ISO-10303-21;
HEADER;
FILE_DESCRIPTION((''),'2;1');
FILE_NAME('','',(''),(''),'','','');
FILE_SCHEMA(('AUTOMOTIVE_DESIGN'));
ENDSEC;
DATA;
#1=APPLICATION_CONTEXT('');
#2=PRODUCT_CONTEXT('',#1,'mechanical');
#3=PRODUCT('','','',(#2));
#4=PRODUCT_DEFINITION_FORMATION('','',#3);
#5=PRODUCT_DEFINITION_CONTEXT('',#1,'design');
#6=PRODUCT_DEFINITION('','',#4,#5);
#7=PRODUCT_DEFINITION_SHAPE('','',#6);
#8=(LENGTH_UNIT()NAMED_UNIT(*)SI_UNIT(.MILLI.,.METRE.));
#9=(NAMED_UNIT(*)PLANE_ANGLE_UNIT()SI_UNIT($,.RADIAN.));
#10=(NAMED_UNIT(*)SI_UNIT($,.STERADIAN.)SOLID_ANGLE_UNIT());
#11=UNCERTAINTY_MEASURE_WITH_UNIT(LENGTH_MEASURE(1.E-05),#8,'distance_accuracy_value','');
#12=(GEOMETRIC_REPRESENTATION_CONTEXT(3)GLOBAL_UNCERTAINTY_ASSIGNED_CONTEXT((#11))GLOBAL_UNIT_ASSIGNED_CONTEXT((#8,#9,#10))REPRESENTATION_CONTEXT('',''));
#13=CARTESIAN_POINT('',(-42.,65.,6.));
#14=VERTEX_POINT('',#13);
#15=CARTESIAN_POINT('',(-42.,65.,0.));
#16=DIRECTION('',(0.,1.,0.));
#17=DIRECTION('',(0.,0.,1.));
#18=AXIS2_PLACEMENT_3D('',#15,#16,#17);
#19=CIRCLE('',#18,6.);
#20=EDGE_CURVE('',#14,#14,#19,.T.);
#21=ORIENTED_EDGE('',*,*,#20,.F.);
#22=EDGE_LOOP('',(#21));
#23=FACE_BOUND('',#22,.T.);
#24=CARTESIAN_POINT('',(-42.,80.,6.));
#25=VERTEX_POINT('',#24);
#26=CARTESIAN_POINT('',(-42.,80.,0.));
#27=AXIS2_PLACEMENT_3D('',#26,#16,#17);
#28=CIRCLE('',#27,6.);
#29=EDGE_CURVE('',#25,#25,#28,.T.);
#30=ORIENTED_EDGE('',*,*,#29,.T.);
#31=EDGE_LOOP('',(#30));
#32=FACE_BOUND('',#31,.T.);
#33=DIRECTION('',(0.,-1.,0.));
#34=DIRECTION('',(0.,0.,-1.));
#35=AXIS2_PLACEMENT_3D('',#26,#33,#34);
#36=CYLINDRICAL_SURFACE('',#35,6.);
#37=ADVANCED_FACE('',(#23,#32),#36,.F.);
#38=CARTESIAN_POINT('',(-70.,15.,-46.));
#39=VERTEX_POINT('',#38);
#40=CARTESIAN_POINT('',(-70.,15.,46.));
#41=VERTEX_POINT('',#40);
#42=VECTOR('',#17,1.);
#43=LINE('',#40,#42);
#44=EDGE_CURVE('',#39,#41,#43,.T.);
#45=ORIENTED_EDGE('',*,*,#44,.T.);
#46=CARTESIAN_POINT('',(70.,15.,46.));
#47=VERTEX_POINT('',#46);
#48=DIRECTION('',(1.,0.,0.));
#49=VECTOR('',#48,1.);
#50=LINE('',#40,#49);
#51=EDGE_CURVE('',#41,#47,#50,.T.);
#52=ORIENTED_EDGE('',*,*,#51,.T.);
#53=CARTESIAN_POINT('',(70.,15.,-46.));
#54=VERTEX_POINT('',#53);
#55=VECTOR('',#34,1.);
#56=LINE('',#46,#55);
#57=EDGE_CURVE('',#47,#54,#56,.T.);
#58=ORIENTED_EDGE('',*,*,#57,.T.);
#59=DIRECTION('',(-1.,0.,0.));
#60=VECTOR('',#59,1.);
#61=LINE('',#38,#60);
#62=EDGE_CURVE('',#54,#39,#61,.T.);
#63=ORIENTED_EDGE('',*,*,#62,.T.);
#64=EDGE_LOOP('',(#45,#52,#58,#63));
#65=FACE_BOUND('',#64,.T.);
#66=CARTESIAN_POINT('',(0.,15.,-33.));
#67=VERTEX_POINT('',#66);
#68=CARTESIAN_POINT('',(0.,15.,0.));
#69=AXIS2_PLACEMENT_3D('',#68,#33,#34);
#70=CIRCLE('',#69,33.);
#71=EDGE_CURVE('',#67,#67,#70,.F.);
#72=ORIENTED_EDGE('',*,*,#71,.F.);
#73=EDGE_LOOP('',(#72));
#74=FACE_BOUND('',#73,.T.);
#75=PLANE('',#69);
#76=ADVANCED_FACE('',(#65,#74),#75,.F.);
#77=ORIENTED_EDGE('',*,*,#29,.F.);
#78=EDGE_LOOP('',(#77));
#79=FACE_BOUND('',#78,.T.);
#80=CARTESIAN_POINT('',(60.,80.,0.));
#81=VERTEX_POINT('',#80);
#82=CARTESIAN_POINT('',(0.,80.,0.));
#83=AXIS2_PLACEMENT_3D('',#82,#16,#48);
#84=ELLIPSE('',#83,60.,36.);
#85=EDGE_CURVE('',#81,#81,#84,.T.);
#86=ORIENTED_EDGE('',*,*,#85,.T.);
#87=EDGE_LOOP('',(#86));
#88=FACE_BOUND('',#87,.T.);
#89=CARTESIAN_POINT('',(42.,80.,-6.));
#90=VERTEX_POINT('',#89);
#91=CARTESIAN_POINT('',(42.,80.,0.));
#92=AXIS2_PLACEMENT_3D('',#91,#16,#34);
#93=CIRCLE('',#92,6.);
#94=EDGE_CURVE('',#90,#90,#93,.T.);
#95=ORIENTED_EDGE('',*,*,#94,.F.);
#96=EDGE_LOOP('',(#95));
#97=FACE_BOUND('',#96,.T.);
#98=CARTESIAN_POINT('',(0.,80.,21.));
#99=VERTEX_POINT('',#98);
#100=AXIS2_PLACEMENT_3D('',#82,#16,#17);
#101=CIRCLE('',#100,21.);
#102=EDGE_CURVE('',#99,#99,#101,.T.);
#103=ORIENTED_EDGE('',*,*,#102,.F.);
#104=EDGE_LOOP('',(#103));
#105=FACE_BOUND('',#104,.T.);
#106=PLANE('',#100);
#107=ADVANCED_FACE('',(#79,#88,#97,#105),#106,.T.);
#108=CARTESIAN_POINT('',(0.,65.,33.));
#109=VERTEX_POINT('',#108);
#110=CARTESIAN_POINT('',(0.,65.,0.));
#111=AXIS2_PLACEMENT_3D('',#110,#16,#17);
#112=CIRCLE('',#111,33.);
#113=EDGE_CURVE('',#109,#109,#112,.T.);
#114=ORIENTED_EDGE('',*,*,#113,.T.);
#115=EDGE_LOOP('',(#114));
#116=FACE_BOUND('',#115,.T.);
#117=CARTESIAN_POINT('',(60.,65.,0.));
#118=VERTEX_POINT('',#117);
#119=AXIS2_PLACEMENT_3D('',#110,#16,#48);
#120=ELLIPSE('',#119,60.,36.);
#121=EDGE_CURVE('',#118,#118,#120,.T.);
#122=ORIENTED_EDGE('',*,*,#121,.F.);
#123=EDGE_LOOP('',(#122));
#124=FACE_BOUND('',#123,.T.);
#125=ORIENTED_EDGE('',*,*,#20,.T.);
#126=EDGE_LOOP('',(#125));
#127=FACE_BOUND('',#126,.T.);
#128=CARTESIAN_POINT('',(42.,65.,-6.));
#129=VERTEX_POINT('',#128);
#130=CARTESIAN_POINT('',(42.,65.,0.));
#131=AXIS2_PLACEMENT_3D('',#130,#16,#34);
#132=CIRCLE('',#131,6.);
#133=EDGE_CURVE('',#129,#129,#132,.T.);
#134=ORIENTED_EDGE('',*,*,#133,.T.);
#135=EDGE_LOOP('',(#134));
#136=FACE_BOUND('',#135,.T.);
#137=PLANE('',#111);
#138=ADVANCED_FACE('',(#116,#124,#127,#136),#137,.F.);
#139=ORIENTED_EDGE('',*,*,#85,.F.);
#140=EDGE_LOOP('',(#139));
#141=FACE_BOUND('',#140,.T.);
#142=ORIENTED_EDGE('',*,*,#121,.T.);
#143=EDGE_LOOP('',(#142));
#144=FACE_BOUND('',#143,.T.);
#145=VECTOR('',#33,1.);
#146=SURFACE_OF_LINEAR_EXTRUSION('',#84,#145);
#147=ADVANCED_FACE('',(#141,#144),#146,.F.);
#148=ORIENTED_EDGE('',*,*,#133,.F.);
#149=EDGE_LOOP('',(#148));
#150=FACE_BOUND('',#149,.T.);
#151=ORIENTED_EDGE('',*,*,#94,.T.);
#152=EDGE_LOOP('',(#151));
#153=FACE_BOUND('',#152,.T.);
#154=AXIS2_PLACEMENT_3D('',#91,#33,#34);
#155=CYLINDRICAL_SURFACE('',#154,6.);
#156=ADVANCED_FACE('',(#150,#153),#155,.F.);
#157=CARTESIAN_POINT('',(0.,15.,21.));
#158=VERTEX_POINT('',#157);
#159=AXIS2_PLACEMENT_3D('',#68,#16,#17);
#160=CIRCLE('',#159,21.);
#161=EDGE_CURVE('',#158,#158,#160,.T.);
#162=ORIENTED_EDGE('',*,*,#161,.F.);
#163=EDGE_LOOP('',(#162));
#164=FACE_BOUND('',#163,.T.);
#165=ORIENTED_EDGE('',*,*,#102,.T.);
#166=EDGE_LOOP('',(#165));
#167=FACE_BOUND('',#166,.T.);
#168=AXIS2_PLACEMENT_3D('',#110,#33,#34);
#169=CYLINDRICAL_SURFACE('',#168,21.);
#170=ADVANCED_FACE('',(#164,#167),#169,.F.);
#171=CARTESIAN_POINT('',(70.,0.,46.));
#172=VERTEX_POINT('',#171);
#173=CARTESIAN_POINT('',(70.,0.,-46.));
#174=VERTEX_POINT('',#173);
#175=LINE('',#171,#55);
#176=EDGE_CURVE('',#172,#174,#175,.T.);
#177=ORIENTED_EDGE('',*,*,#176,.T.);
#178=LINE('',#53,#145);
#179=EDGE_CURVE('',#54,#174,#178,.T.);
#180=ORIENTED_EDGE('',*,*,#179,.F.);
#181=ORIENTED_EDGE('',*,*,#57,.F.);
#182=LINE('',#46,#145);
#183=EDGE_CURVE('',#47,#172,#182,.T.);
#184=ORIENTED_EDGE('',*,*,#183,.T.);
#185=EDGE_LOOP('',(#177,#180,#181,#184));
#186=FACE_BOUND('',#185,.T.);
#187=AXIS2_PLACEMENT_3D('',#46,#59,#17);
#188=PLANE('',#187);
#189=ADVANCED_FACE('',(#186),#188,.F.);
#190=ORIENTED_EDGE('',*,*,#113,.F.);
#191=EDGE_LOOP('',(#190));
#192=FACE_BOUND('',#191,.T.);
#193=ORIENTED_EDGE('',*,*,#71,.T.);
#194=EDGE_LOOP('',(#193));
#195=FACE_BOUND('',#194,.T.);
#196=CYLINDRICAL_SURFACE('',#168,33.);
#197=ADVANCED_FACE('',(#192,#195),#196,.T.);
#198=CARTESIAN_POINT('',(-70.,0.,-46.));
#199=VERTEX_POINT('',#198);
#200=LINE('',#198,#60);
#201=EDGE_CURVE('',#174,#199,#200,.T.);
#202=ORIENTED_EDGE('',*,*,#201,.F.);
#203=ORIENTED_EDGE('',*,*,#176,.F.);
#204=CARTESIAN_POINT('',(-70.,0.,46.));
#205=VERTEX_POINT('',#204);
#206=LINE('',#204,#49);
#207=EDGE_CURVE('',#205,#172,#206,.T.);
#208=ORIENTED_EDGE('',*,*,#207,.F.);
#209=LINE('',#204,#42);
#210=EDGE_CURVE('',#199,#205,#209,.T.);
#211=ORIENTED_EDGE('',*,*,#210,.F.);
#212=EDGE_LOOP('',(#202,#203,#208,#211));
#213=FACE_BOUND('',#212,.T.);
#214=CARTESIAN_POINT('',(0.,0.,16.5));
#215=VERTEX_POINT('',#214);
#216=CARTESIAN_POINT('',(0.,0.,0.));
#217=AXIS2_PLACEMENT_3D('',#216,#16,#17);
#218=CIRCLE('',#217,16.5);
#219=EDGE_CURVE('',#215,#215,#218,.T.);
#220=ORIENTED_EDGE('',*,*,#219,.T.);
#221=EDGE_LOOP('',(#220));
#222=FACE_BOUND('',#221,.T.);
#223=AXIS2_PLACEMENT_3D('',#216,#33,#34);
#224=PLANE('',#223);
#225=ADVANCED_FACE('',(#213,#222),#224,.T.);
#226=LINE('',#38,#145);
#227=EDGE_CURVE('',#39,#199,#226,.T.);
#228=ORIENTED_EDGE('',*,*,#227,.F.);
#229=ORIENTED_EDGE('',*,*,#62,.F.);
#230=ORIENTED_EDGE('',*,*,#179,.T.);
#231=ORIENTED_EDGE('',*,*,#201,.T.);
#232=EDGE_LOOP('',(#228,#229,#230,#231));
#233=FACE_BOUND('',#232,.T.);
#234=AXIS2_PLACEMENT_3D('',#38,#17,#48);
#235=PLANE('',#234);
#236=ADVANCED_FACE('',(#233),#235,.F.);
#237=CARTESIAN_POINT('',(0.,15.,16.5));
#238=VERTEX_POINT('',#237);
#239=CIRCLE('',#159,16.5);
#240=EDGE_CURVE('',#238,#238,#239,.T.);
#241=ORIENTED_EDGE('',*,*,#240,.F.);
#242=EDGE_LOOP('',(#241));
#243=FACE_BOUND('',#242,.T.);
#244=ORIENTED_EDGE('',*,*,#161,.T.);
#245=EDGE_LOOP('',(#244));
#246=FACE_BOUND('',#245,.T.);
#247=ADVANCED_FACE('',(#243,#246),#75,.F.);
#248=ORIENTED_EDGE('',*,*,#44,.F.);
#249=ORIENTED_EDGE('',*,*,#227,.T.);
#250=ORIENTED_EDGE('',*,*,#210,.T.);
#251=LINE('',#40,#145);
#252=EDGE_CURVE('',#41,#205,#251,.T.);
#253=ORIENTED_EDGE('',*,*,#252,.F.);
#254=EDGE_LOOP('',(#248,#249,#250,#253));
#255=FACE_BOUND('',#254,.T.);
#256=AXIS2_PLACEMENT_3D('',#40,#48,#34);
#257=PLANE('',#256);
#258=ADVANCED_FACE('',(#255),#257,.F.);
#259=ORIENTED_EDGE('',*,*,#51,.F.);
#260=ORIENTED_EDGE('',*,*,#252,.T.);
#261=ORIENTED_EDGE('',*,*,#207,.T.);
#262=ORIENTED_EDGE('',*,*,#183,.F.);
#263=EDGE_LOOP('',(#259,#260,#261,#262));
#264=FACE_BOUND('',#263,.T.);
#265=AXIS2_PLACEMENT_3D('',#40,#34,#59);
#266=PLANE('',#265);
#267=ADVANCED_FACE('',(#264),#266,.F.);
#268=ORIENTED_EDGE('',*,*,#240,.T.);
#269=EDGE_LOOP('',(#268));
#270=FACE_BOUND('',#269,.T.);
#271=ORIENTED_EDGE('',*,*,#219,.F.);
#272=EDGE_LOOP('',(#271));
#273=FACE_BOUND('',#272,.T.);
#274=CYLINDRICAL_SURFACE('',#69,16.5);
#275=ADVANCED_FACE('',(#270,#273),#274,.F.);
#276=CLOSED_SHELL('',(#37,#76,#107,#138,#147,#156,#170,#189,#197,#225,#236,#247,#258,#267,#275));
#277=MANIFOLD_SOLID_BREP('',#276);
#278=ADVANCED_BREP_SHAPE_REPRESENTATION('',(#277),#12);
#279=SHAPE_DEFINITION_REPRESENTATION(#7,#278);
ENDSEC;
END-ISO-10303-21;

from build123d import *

# Parameters (mm, degrees)
SKETCH1_W           = 140
SKETCH1_H           = 92
SKETCH1_R           = 16.5
BOSS_EXTRUDE2_DEPTH = 15
SKETCH3_R           = 33
SKETCH3_R_2         = 21
BOSS_EXTRUDE3_DEPTH = 50
SKETCH4_RX          = 60
SKETCH4_RY          = 36
SKETCH4_R           = 6
SKETCH4_R_2         = 21
BOSS_EXTRUDE4_DEPTH = 15


with BuildPart() as part:
    # Sketch1 → Boss-Extrude2 (new body)
    with BuildSketch(Plane(origin=(0, 0, 0), x_dir=(1, 0, 0), z_dir=(0, 1, 0))):
        Rectangle(SKETCH1_W, SKETCH1_H)
        with Locations(Location((0, 0, 0), (0, 0, 270))):
            Circle(SKETCH1_R, mode=Mode.SUBTRACT)
    extrude(amount=BOSS_EXTRUDE2_DEPTH)

    # Sketch3 → Boss-Extrude3 (add)
    with BuildSketch(Plane(origin=(0, 15, 0), x_dir=(1, 0, 0), z_dir=(0, 1, 0))):
        with Locations(Location((0, 0, 0), (0, 0, 90))):
            Circle(SKETCH3_R)
        with Locations(Location((0, 0, 0), (0, 0, 270))):
            Circle(SKETCH3_R_2, mode=Mode.SUBTRACT)
    extrude(amount=BOSS_EXTRUDE3_DEPTH)

    # Sketch4 → Boss-Extrude4 (add)
    with BuildSketch(Plane(origin=(0, 65, 0), x_dir=(1, 0, 0), z_dir=(0, 1, 0))):
        with Locations((0, 0)):
            Ellipse(SKETCH4_RX, SKETCH4_RY)
        with Locations(Location((-42, 0, 0), (0, 0, 270))):
            Circle(SKETCH4_R, mode=Mode.SUBTRACT)
        with Locations(Location((42, 0, 0), (0, 0, 90))):
            Circle(SKETCH4_R, mode=Mode.SUBTRACT)
        with Locations(Location((0, 0, 0), (0, 0, 270))):
            Circle(SKETCH4_R_2, mode=Mode.SUBTRACT)
    extrude(amount=BOSS_EXTRUDE4_DEPTH)


solid = part.part
